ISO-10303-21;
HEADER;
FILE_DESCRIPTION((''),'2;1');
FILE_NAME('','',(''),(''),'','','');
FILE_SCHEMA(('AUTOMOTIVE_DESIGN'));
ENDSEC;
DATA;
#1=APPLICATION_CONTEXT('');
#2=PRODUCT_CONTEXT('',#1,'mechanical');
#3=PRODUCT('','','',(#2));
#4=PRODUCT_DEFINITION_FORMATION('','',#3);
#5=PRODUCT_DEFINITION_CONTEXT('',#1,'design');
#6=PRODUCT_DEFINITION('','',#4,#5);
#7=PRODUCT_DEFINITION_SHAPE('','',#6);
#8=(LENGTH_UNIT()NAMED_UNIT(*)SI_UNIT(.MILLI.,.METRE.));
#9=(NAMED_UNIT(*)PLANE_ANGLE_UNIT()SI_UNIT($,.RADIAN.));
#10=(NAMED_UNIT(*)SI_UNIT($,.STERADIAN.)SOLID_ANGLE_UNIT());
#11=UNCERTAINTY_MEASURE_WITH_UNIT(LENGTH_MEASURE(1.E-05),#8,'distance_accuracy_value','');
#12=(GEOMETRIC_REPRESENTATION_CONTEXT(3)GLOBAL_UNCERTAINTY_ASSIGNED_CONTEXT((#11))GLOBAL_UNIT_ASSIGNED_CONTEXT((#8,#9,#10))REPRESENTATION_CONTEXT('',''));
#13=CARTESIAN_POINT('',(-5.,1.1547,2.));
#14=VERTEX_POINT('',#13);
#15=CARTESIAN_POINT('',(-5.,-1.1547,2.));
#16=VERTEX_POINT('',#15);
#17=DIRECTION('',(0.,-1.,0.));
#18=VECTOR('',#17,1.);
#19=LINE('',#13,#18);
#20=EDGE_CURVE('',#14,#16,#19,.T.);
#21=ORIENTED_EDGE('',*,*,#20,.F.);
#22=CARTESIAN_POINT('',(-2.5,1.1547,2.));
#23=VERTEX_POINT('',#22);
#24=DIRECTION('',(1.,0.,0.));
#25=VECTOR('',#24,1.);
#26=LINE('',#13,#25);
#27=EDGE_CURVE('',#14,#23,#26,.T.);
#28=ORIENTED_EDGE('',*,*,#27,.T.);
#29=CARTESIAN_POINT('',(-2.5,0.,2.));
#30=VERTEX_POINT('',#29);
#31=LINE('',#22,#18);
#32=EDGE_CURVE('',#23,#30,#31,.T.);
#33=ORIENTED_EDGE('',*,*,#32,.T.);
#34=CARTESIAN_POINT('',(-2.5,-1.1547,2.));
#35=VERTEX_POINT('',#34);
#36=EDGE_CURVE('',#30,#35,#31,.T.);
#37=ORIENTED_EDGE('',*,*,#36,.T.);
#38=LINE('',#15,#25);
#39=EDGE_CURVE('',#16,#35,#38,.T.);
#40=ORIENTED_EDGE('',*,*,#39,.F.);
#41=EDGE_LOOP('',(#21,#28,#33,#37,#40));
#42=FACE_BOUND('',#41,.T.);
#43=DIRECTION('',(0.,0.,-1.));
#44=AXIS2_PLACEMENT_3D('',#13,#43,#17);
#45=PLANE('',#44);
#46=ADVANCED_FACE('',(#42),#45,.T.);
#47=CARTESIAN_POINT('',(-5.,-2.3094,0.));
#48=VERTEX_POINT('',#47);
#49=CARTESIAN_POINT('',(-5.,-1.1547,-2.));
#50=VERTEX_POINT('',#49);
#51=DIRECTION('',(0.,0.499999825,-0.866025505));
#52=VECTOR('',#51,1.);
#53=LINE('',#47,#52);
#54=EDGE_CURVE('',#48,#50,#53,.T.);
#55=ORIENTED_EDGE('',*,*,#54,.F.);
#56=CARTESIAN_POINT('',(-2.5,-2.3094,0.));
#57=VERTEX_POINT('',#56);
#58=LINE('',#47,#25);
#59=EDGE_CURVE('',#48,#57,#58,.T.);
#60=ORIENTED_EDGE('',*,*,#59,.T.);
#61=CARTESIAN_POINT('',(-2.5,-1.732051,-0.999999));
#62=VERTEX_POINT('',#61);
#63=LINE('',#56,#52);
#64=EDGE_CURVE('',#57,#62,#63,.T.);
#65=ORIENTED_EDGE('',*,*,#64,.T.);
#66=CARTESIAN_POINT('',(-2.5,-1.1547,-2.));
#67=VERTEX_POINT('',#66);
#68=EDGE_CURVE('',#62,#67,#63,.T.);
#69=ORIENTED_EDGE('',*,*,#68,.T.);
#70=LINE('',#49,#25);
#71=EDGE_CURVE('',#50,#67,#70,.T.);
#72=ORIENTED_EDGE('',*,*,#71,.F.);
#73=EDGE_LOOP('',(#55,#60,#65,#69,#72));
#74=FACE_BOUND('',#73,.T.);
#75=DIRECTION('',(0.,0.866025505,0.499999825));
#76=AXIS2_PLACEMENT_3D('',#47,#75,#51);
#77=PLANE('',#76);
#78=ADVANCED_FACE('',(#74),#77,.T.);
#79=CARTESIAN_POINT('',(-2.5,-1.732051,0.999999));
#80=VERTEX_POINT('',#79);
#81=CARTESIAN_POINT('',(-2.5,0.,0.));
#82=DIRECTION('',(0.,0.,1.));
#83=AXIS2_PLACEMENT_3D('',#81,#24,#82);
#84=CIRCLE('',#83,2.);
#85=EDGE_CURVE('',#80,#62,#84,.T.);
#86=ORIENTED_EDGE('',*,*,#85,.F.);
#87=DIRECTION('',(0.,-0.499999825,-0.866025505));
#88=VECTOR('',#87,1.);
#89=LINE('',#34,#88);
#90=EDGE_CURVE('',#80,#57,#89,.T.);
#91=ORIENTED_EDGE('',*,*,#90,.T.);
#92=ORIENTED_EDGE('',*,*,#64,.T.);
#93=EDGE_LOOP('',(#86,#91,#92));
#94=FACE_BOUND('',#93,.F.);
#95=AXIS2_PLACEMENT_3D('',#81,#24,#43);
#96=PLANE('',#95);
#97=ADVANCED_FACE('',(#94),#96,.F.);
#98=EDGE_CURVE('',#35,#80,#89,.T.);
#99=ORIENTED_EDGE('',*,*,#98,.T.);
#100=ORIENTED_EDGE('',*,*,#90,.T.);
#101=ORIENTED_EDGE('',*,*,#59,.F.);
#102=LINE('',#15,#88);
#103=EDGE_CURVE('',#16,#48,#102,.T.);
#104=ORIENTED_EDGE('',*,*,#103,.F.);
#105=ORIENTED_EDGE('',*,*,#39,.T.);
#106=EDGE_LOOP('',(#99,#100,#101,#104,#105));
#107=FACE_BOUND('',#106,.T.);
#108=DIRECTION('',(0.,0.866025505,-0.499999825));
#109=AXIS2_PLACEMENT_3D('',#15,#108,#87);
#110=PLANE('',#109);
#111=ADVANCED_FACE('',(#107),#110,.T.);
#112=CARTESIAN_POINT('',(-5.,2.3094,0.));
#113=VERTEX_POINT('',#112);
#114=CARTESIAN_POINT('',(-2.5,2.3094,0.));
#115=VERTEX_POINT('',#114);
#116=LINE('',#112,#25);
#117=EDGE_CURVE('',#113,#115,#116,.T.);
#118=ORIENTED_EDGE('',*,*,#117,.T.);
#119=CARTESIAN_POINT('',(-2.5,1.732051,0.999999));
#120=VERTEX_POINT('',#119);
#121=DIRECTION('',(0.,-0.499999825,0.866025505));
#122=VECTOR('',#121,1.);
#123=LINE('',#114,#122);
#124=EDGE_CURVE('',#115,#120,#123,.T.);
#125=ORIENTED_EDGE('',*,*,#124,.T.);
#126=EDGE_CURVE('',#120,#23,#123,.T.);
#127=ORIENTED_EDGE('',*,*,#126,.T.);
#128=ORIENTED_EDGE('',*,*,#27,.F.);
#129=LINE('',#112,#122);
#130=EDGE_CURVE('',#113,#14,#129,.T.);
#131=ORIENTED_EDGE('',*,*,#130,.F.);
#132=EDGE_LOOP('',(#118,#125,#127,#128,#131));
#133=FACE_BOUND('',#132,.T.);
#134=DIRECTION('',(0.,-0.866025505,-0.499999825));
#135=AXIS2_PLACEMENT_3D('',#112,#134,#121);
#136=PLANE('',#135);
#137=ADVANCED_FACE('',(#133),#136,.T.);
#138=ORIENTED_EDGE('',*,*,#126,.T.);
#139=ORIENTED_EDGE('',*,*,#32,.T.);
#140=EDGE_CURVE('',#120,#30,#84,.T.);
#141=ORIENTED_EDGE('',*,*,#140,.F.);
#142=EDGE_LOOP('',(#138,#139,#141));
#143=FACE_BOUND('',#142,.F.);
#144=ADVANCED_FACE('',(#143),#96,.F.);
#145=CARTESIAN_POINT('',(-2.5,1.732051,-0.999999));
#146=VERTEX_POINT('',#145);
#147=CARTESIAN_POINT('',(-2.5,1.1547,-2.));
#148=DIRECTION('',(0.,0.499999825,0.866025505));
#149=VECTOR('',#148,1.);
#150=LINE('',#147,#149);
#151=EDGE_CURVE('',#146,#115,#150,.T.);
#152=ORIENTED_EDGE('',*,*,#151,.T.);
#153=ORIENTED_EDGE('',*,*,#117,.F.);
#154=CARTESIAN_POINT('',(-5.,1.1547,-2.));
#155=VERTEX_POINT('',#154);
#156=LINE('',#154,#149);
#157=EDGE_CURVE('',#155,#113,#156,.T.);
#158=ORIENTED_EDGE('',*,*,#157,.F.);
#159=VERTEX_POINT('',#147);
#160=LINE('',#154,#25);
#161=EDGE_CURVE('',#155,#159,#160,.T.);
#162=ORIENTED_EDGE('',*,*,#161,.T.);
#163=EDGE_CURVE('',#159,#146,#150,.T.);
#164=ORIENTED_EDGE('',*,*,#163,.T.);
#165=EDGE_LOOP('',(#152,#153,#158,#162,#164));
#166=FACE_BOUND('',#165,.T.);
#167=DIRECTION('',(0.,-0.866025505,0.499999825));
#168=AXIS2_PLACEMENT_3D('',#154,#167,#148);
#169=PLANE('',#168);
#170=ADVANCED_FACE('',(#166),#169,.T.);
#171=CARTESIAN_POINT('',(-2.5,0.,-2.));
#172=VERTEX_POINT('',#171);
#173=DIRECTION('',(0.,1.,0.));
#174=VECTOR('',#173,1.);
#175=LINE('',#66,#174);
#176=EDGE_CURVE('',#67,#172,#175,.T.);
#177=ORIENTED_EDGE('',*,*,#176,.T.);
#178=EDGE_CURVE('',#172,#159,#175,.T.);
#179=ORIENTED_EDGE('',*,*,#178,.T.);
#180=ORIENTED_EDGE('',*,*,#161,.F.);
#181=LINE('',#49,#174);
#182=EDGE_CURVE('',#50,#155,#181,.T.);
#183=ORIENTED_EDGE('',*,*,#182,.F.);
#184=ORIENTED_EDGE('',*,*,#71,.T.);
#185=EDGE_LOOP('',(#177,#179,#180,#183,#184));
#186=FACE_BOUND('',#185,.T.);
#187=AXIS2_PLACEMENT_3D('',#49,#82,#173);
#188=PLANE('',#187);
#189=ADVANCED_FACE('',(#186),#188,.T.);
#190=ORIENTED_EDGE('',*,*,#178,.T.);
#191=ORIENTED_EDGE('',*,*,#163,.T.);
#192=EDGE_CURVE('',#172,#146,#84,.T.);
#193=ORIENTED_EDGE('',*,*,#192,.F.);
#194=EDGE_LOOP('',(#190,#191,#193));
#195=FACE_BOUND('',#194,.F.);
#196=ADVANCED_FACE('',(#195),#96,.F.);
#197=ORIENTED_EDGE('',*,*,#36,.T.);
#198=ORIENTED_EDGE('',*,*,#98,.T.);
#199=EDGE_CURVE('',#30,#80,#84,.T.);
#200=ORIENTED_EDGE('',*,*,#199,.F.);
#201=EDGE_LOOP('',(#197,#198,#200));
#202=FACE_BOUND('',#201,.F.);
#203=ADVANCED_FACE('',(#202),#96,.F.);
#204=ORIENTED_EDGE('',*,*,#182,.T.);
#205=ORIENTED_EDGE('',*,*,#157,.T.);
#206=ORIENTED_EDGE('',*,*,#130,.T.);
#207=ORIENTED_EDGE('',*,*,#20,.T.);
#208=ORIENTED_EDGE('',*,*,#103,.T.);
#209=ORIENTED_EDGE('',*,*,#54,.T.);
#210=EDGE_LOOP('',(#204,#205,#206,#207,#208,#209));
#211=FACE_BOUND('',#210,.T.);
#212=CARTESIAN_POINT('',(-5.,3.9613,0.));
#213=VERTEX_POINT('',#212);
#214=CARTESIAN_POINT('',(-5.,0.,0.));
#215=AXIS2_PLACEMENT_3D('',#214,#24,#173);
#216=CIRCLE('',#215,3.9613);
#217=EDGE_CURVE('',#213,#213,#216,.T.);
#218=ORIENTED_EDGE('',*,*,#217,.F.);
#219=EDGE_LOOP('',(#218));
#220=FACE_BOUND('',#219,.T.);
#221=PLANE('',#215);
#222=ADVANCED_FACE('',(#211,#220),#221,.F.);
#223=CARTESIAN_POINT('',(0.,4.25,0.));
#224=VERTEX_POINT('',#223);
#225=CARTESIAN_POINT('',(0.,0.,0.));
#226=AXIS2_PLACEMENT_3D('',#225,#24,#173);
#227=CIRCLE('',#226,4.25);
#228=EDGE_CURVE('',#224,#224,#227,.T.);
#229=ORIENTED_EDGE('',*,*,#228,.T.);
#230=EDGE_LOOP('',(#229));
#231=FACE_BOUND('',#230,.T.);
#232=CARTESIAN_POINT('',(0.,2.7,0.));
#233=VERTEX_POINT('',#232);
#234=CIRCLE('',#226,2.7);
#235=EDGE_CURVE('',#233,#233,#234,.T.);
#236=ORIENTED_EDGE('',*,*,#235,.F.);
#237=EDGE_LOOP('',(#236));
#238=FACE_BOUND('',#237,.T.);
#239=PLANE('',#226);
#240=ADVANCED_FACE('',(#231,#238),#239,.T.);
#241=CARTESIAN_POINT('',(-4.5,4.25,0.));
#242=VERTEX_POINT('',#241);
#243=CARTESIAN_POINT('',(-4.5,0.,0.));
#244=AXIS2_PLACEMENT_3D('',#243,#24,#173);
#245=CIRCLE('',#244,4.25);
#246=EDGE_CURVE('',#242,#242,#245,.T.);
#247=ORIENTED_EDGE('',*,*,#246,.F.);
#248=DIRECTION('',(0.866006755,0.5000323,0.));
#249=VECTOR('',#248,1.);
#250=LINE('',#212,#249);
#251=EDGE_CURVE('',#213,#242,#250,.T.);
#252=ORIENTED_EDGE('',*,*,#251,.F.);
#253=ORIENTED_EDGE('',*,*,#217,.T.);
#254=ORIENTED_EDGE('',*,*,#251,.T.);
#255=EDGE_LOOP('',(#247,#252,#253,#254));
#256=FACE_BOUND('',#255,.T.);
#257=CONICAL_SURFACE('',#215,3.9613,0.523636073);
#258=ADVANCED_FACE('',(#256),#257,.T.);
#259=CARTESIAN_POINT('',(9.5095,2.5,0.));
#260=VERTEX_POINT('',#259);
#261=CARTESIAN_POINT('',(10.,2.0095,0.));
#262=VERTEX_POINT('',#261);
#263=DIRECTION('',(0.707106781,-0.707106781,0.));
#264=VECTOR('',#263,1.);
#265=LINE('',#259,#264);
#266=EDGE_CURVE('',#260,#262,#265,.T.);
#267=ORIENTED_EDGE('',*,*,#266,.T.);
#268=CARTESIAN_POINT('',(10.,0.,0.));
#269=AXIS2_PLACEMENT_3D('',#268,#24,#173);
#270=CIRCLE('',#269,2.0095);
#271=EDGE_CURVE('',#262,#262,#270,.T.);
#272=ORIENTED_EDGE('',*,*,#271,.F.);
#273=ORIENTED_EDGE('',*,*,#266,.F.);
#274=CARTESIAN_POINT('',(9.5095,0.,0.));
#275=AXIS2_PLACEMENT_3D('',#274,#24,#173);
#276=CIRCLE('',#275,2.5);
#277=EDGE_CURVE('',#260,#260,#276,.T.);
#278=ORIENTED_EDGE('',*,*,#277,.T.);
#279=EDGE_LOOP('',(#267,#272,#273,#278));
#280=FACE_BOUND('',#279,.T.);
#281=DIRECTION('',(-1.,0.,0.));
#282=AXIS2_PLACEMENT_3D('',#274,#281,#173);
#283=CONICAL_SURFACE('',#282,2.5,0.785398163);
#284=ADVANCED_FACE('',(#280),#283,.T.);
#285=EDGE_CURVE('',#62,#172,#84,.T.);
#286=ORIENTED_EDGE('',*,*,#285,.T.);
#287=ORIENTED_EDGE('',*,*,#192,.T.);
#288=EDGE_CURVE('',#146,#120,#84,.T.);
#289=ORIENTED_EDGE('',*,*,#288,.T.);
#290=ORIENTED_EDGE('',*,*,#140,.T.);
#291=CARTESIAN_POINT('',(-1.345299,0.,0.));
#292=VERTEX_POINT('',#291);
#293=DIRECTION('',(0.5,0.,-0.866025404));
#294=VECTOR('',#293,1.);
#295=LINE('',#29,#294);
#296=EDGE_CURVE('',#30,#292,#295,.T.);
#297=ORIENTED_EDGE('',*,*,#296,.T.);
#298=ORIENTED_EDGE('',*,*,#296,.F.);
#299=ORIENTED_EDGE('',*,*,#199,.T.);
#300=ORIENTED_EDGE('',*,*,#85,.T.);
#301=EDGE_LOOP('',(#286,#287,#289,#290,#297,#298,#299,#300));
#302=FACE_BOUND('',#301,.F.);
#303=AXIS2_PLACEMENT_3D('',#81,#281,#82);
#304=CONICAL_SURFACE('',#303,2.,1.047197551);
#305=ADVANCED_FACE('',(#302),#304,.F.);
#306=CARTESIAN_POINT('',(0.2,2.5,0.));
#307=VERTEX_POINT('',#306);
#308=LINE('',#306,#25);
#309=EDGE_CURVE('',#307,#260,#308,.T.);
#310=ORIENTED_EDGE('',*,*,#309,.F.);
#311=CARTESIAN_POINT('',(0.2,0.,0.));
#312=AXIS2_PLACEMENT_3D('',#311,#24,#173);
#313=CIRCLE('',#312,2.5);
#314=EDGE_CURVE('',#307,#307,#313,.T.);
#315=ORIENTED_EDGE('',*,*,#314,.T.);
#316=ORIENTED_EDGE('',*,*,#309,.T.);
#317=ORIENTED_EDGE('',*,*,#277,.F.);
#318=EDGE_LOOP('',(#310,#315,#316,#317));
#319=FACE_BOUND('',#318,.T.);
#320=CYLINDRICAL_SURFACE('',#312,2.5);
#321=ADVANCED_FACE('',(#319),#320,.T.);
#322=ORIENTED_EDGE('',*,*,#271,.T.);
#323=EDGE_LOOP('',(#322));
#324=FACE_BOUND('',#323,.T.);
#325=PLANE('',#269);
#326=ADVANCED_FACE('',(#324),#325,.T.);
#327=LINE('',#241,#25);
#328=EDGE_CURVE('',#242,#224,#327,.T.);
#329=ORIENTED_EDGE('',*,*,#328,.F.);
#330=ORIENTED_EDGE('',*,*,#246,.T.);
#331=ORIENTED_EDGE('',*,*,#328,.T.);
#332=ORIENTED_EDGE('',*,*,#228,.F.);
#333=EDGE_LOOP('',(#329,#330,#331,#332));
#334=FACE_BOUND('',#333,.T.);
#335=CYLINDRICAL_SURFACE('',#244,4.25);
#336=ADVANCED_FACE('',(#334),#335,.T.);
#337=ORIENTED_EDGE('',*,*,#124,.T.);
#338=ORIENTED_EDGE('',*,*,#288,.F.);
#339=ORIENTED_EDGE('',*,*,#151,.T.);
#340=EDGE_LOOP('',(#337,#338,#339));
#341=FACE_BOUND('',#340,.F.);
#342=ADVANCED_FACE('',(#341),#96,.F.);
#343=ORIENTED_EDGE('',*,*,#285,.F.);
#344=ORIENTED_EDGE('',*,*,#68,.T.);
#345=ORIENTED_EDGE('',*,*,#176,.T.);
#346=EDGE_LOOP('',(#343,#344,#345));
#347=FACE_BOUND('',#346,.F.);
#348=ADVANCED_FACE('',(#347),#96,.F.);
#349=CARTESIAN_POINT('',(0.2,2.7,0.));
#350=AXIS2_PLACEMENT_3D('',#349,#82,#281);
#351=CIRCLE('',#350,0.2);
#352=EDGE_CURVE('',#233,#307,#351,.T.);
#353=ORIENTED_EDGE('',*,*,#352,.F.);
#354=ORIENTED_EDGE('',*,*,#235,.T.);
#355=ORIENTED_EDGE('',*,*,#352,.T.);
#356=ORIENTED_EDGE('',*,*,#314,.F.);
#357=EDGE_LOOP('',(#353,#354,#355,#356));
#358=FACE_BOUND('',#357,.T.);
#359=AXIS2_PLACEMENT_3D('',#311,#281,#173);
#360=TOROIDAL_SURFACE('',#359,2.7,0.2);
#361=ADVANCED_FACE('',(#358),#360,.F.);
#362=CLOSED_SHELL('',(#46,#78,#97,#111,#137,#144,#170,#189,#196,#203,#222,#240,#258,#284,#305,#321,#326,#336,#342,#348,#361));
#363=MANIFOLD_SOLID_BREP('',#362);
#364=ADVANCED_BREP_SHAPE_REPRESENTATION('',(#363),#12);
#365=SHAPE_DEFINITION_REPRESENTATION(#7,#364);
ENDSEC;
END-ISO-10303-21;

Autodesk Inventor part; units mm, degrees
sketch "Sketch_8" plane through (0, 0, 0) normal (0, 0, 1) x (1, 0, 0)
  line L0 (10, 0) -> (-5, 0)
  line L1 (-5, 0) -> (-5, 3.9613)
  line L2 (-5, 3.9613) -> (-4.5, 4.25)
  line L3 (-4.5, 4.25) -> (0, 4.25)
  line L4 (0, 4.25) -> (0, 2.7)
  arc A0 (0, 2.7) -> (0.2, 2.5) centre (0.2, 2.7) ccw
  line L5 (0.2, 2.5) -> (9.5095, 2.5)
  line L6 (9.5095, 2.5) -> (10, 2.0095)
  line L7 (10, 2.0095) -> (10, 0)
  line L8 (10, 0) -> (-5, 0)
revolve "Revolution1" add sketch "Sketch_8" angle 360 about axis through (10, 0, 0) along (1, 0, 0)
thread "Thread1" size "M5x0.8" class "6g" standard "ISO Metric profile" full length
sketch "Sketch2" plane through (-5, 0, 0) normal (-1, 0, 0) x (0, 0, 1)
  point P0 (0, 0)
hole "Hole1" at (-5, 0, 0) direction (1, 0, 0) diameter 4 depth 2.5 tip angle 120
sketch "Sketch_3" plane through (-5, 0, 0) normal (1, 0, 0) x (0, 0, -1)
  line L0 (-2, -1.1547) -> (0, -2.3094)
  line L1 (0, -2.3094) -> (2, -1.1547)
  line L2 (2, -1.1547) -> (2, 1.1547)
  line L3 (2, 1.1547) -> (0, 2.3094)
  line L4 (0, 2.3094) -> (-2, 1.1547)
  line L5 (-2, 1.1547) -> (-2, -1.1547)
extrude "Extrusion1" cut sketch "Sketch_3" along normal blind 2.5
ref_plane "bolt_XY" through (0, 0, 0) normal (1, 0, 0) x (0, 0, -1)
ref_plane "bolt_YZ" through (0, 0, 0) normal (0, 0, -1) x (0, 1, 0)
ref_plane "bolt_ZX" through (0, 0, 0) normal (0, 1, 0) x (1, 0, 0)
ref_plane "nut_XY" through (10, 0, 0) normal (1, 0, 0) x (0, 0, -1)
ref_plane "nut_YZ" through (10, 0, 0) normal (0, 0, -1) x (0, 1, 0)
ref_plane "nut_ZX" through (10, 0, 0) normal (0, 1, 0) x (1, 0, 0)
properties part number "CBM5-10"
